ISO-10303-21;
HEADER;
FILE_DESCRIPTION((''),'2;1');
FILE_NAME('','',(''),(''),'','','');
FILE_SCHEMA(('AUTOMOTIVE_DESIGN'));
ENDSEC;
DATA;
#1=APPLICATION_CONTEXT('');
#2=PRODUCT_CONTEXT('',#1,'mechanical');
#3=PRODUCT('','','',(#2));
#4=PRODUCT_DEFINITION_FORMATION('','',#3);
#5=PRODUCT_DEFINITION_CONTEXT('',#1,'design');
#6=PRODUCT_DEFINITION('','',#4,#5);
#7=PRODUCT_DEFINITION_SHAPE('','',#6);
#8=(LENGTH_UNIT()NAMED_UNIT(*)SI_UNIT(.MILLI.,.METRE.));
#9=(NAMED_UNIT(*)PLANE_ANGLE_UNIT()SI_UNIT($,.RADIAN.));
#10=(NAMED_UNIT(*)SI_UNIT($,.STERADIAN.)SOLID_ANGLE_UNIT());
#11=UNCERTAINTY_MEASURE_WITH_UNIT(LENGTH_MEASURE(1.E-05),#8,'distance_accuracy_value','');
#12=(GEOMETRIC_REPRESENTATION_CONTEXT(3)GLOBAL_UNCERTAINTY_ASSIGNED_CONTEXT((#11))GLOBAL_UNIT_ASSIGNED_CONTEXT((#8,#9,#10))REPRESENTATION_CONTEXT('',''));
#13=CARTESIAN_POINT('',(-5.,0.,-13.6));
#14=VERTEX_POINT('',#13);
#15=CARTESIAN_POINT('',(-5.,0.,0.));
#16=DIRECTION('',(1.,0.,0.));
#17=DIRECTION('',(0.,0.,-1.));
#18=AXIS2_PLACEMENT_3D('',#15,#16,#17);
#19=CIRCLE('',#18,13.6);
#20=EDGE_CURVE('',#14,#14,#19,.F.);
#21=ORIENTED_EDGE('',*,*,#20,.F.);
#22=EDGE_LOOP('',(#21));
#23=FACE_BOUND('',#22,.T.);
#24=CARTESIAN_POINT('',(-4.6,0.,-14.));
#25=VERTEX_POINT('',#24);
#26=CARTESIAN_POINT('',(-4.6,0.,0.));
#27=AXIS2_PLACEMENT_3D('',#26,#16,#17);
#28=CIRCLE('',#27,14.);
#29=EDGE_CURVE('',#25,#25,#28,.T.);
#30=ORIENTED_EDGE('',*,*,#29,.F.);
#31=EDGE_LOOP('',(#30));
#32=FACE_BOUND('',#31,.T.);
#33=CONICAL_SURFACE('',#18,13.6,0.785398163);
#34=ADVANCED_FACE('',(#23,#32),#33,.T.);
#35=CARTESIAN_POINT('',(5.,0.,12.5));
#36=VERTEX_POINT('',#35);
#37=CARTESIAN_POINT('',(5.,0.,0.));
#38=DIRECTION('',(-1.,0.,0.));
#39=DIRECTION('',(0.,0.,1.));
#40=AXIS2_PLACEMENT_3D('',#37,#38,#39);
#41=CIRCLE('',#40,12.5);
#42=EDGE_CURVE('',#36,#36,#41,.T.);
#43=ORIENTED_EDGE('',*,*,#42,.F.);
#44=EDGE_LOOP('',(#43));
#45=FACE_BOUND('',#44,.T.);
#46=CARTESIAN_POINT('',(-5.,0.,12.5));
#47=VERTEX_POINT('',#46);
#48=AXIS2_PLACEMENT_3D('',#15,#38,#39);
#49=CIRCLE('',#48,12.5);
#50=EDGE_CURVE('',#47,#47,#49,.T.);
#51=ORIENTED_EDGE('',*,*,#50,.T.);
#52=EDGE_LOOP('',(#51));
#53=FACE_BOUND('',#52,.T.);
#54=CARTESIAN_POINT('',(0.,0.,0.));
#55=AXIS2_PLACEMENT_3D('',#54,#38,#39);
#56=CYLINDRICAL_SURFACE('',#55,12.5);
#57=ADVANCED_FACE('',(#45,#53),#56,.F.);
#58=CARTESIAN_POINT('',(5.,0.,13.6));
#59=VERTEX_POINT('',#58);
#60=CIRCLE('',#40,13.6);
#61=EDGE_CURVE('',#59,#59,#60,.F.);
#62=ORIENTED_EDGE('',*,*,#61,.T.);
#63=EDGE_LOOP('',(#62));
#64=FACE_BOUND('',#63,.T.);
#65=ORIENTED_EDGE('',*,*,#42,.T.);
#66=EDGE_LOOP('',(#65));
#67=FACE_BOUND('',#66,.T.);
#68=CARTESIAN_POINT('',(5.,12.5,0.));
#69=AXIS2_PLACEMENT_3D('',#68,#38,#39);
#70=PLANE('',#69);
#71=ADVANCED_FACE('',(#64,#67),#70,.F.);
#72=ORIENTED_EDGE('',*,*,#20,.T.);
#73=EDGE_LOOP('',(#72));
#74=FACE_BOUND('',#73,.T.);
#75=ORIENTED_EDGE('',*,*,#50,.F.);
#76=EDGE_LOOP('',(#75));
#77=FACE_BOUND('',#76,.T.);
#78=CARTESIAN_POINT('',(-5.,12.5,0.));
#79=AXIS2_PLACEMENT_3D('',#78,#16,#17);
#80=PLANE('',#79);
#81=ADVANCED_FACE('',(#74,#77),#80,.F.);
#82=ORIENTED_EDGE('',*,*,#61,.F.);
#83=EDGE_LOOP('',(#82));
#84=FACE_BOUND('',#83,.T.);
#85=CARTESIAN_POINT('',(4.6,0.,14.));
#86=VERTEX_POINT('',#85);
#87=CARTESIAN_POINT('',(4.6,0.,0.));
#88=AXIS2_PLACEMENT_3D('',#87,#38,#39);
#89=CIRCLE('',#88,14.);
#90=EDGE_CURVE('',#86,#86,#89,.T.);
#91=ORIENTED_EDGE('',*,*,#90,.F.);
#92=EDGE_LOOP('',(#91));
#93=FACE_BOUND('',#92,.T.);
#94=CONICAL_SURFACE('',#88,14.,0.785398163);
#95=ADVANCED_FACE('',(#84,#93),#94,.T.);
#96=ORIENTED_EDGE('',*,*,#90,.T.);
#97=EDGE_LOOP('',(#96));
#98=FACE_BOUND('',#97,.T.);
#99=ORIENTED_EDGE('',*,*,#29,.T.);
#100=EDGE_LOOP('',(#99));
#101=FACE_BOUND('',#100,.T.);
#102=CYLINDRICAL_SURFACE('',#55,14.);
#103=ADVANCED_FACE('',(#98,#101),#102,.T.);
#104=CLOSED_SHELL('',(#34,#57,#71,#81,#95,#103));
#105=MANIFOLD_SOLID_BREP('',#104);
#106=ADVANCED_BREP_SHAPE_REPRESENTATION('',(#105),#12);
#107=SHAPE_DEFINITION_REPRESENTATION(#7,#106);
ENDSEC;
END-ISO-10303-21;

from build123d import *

# Parameters (mm, degrees)
SKETCH1_W     = 10
SKETCH1_H     = 1.5
CHAMFER1_SIZE = 0.4


with BuildPart() as part:
    # Sketch1 → Revolve1 (revolve)
    with BuildSketch(Plane.XY):
        with Locations((0, 13.25)):
            Rectangle(SKETCH1_W, SKETCH1_H)
    revolve(axis=Axis((0, 0, 0), (1, 0, 0)))

    # Chamfer1
    chamfer1_edges = [part.edges().sort_by_distance(p)[0] for p in [
        (-5, -14, 0),
        (5, -14, 0),
    ]]
    chamfer(chamfer1_edges, length=CHAMFER1_SIZE)


solid = part.part
